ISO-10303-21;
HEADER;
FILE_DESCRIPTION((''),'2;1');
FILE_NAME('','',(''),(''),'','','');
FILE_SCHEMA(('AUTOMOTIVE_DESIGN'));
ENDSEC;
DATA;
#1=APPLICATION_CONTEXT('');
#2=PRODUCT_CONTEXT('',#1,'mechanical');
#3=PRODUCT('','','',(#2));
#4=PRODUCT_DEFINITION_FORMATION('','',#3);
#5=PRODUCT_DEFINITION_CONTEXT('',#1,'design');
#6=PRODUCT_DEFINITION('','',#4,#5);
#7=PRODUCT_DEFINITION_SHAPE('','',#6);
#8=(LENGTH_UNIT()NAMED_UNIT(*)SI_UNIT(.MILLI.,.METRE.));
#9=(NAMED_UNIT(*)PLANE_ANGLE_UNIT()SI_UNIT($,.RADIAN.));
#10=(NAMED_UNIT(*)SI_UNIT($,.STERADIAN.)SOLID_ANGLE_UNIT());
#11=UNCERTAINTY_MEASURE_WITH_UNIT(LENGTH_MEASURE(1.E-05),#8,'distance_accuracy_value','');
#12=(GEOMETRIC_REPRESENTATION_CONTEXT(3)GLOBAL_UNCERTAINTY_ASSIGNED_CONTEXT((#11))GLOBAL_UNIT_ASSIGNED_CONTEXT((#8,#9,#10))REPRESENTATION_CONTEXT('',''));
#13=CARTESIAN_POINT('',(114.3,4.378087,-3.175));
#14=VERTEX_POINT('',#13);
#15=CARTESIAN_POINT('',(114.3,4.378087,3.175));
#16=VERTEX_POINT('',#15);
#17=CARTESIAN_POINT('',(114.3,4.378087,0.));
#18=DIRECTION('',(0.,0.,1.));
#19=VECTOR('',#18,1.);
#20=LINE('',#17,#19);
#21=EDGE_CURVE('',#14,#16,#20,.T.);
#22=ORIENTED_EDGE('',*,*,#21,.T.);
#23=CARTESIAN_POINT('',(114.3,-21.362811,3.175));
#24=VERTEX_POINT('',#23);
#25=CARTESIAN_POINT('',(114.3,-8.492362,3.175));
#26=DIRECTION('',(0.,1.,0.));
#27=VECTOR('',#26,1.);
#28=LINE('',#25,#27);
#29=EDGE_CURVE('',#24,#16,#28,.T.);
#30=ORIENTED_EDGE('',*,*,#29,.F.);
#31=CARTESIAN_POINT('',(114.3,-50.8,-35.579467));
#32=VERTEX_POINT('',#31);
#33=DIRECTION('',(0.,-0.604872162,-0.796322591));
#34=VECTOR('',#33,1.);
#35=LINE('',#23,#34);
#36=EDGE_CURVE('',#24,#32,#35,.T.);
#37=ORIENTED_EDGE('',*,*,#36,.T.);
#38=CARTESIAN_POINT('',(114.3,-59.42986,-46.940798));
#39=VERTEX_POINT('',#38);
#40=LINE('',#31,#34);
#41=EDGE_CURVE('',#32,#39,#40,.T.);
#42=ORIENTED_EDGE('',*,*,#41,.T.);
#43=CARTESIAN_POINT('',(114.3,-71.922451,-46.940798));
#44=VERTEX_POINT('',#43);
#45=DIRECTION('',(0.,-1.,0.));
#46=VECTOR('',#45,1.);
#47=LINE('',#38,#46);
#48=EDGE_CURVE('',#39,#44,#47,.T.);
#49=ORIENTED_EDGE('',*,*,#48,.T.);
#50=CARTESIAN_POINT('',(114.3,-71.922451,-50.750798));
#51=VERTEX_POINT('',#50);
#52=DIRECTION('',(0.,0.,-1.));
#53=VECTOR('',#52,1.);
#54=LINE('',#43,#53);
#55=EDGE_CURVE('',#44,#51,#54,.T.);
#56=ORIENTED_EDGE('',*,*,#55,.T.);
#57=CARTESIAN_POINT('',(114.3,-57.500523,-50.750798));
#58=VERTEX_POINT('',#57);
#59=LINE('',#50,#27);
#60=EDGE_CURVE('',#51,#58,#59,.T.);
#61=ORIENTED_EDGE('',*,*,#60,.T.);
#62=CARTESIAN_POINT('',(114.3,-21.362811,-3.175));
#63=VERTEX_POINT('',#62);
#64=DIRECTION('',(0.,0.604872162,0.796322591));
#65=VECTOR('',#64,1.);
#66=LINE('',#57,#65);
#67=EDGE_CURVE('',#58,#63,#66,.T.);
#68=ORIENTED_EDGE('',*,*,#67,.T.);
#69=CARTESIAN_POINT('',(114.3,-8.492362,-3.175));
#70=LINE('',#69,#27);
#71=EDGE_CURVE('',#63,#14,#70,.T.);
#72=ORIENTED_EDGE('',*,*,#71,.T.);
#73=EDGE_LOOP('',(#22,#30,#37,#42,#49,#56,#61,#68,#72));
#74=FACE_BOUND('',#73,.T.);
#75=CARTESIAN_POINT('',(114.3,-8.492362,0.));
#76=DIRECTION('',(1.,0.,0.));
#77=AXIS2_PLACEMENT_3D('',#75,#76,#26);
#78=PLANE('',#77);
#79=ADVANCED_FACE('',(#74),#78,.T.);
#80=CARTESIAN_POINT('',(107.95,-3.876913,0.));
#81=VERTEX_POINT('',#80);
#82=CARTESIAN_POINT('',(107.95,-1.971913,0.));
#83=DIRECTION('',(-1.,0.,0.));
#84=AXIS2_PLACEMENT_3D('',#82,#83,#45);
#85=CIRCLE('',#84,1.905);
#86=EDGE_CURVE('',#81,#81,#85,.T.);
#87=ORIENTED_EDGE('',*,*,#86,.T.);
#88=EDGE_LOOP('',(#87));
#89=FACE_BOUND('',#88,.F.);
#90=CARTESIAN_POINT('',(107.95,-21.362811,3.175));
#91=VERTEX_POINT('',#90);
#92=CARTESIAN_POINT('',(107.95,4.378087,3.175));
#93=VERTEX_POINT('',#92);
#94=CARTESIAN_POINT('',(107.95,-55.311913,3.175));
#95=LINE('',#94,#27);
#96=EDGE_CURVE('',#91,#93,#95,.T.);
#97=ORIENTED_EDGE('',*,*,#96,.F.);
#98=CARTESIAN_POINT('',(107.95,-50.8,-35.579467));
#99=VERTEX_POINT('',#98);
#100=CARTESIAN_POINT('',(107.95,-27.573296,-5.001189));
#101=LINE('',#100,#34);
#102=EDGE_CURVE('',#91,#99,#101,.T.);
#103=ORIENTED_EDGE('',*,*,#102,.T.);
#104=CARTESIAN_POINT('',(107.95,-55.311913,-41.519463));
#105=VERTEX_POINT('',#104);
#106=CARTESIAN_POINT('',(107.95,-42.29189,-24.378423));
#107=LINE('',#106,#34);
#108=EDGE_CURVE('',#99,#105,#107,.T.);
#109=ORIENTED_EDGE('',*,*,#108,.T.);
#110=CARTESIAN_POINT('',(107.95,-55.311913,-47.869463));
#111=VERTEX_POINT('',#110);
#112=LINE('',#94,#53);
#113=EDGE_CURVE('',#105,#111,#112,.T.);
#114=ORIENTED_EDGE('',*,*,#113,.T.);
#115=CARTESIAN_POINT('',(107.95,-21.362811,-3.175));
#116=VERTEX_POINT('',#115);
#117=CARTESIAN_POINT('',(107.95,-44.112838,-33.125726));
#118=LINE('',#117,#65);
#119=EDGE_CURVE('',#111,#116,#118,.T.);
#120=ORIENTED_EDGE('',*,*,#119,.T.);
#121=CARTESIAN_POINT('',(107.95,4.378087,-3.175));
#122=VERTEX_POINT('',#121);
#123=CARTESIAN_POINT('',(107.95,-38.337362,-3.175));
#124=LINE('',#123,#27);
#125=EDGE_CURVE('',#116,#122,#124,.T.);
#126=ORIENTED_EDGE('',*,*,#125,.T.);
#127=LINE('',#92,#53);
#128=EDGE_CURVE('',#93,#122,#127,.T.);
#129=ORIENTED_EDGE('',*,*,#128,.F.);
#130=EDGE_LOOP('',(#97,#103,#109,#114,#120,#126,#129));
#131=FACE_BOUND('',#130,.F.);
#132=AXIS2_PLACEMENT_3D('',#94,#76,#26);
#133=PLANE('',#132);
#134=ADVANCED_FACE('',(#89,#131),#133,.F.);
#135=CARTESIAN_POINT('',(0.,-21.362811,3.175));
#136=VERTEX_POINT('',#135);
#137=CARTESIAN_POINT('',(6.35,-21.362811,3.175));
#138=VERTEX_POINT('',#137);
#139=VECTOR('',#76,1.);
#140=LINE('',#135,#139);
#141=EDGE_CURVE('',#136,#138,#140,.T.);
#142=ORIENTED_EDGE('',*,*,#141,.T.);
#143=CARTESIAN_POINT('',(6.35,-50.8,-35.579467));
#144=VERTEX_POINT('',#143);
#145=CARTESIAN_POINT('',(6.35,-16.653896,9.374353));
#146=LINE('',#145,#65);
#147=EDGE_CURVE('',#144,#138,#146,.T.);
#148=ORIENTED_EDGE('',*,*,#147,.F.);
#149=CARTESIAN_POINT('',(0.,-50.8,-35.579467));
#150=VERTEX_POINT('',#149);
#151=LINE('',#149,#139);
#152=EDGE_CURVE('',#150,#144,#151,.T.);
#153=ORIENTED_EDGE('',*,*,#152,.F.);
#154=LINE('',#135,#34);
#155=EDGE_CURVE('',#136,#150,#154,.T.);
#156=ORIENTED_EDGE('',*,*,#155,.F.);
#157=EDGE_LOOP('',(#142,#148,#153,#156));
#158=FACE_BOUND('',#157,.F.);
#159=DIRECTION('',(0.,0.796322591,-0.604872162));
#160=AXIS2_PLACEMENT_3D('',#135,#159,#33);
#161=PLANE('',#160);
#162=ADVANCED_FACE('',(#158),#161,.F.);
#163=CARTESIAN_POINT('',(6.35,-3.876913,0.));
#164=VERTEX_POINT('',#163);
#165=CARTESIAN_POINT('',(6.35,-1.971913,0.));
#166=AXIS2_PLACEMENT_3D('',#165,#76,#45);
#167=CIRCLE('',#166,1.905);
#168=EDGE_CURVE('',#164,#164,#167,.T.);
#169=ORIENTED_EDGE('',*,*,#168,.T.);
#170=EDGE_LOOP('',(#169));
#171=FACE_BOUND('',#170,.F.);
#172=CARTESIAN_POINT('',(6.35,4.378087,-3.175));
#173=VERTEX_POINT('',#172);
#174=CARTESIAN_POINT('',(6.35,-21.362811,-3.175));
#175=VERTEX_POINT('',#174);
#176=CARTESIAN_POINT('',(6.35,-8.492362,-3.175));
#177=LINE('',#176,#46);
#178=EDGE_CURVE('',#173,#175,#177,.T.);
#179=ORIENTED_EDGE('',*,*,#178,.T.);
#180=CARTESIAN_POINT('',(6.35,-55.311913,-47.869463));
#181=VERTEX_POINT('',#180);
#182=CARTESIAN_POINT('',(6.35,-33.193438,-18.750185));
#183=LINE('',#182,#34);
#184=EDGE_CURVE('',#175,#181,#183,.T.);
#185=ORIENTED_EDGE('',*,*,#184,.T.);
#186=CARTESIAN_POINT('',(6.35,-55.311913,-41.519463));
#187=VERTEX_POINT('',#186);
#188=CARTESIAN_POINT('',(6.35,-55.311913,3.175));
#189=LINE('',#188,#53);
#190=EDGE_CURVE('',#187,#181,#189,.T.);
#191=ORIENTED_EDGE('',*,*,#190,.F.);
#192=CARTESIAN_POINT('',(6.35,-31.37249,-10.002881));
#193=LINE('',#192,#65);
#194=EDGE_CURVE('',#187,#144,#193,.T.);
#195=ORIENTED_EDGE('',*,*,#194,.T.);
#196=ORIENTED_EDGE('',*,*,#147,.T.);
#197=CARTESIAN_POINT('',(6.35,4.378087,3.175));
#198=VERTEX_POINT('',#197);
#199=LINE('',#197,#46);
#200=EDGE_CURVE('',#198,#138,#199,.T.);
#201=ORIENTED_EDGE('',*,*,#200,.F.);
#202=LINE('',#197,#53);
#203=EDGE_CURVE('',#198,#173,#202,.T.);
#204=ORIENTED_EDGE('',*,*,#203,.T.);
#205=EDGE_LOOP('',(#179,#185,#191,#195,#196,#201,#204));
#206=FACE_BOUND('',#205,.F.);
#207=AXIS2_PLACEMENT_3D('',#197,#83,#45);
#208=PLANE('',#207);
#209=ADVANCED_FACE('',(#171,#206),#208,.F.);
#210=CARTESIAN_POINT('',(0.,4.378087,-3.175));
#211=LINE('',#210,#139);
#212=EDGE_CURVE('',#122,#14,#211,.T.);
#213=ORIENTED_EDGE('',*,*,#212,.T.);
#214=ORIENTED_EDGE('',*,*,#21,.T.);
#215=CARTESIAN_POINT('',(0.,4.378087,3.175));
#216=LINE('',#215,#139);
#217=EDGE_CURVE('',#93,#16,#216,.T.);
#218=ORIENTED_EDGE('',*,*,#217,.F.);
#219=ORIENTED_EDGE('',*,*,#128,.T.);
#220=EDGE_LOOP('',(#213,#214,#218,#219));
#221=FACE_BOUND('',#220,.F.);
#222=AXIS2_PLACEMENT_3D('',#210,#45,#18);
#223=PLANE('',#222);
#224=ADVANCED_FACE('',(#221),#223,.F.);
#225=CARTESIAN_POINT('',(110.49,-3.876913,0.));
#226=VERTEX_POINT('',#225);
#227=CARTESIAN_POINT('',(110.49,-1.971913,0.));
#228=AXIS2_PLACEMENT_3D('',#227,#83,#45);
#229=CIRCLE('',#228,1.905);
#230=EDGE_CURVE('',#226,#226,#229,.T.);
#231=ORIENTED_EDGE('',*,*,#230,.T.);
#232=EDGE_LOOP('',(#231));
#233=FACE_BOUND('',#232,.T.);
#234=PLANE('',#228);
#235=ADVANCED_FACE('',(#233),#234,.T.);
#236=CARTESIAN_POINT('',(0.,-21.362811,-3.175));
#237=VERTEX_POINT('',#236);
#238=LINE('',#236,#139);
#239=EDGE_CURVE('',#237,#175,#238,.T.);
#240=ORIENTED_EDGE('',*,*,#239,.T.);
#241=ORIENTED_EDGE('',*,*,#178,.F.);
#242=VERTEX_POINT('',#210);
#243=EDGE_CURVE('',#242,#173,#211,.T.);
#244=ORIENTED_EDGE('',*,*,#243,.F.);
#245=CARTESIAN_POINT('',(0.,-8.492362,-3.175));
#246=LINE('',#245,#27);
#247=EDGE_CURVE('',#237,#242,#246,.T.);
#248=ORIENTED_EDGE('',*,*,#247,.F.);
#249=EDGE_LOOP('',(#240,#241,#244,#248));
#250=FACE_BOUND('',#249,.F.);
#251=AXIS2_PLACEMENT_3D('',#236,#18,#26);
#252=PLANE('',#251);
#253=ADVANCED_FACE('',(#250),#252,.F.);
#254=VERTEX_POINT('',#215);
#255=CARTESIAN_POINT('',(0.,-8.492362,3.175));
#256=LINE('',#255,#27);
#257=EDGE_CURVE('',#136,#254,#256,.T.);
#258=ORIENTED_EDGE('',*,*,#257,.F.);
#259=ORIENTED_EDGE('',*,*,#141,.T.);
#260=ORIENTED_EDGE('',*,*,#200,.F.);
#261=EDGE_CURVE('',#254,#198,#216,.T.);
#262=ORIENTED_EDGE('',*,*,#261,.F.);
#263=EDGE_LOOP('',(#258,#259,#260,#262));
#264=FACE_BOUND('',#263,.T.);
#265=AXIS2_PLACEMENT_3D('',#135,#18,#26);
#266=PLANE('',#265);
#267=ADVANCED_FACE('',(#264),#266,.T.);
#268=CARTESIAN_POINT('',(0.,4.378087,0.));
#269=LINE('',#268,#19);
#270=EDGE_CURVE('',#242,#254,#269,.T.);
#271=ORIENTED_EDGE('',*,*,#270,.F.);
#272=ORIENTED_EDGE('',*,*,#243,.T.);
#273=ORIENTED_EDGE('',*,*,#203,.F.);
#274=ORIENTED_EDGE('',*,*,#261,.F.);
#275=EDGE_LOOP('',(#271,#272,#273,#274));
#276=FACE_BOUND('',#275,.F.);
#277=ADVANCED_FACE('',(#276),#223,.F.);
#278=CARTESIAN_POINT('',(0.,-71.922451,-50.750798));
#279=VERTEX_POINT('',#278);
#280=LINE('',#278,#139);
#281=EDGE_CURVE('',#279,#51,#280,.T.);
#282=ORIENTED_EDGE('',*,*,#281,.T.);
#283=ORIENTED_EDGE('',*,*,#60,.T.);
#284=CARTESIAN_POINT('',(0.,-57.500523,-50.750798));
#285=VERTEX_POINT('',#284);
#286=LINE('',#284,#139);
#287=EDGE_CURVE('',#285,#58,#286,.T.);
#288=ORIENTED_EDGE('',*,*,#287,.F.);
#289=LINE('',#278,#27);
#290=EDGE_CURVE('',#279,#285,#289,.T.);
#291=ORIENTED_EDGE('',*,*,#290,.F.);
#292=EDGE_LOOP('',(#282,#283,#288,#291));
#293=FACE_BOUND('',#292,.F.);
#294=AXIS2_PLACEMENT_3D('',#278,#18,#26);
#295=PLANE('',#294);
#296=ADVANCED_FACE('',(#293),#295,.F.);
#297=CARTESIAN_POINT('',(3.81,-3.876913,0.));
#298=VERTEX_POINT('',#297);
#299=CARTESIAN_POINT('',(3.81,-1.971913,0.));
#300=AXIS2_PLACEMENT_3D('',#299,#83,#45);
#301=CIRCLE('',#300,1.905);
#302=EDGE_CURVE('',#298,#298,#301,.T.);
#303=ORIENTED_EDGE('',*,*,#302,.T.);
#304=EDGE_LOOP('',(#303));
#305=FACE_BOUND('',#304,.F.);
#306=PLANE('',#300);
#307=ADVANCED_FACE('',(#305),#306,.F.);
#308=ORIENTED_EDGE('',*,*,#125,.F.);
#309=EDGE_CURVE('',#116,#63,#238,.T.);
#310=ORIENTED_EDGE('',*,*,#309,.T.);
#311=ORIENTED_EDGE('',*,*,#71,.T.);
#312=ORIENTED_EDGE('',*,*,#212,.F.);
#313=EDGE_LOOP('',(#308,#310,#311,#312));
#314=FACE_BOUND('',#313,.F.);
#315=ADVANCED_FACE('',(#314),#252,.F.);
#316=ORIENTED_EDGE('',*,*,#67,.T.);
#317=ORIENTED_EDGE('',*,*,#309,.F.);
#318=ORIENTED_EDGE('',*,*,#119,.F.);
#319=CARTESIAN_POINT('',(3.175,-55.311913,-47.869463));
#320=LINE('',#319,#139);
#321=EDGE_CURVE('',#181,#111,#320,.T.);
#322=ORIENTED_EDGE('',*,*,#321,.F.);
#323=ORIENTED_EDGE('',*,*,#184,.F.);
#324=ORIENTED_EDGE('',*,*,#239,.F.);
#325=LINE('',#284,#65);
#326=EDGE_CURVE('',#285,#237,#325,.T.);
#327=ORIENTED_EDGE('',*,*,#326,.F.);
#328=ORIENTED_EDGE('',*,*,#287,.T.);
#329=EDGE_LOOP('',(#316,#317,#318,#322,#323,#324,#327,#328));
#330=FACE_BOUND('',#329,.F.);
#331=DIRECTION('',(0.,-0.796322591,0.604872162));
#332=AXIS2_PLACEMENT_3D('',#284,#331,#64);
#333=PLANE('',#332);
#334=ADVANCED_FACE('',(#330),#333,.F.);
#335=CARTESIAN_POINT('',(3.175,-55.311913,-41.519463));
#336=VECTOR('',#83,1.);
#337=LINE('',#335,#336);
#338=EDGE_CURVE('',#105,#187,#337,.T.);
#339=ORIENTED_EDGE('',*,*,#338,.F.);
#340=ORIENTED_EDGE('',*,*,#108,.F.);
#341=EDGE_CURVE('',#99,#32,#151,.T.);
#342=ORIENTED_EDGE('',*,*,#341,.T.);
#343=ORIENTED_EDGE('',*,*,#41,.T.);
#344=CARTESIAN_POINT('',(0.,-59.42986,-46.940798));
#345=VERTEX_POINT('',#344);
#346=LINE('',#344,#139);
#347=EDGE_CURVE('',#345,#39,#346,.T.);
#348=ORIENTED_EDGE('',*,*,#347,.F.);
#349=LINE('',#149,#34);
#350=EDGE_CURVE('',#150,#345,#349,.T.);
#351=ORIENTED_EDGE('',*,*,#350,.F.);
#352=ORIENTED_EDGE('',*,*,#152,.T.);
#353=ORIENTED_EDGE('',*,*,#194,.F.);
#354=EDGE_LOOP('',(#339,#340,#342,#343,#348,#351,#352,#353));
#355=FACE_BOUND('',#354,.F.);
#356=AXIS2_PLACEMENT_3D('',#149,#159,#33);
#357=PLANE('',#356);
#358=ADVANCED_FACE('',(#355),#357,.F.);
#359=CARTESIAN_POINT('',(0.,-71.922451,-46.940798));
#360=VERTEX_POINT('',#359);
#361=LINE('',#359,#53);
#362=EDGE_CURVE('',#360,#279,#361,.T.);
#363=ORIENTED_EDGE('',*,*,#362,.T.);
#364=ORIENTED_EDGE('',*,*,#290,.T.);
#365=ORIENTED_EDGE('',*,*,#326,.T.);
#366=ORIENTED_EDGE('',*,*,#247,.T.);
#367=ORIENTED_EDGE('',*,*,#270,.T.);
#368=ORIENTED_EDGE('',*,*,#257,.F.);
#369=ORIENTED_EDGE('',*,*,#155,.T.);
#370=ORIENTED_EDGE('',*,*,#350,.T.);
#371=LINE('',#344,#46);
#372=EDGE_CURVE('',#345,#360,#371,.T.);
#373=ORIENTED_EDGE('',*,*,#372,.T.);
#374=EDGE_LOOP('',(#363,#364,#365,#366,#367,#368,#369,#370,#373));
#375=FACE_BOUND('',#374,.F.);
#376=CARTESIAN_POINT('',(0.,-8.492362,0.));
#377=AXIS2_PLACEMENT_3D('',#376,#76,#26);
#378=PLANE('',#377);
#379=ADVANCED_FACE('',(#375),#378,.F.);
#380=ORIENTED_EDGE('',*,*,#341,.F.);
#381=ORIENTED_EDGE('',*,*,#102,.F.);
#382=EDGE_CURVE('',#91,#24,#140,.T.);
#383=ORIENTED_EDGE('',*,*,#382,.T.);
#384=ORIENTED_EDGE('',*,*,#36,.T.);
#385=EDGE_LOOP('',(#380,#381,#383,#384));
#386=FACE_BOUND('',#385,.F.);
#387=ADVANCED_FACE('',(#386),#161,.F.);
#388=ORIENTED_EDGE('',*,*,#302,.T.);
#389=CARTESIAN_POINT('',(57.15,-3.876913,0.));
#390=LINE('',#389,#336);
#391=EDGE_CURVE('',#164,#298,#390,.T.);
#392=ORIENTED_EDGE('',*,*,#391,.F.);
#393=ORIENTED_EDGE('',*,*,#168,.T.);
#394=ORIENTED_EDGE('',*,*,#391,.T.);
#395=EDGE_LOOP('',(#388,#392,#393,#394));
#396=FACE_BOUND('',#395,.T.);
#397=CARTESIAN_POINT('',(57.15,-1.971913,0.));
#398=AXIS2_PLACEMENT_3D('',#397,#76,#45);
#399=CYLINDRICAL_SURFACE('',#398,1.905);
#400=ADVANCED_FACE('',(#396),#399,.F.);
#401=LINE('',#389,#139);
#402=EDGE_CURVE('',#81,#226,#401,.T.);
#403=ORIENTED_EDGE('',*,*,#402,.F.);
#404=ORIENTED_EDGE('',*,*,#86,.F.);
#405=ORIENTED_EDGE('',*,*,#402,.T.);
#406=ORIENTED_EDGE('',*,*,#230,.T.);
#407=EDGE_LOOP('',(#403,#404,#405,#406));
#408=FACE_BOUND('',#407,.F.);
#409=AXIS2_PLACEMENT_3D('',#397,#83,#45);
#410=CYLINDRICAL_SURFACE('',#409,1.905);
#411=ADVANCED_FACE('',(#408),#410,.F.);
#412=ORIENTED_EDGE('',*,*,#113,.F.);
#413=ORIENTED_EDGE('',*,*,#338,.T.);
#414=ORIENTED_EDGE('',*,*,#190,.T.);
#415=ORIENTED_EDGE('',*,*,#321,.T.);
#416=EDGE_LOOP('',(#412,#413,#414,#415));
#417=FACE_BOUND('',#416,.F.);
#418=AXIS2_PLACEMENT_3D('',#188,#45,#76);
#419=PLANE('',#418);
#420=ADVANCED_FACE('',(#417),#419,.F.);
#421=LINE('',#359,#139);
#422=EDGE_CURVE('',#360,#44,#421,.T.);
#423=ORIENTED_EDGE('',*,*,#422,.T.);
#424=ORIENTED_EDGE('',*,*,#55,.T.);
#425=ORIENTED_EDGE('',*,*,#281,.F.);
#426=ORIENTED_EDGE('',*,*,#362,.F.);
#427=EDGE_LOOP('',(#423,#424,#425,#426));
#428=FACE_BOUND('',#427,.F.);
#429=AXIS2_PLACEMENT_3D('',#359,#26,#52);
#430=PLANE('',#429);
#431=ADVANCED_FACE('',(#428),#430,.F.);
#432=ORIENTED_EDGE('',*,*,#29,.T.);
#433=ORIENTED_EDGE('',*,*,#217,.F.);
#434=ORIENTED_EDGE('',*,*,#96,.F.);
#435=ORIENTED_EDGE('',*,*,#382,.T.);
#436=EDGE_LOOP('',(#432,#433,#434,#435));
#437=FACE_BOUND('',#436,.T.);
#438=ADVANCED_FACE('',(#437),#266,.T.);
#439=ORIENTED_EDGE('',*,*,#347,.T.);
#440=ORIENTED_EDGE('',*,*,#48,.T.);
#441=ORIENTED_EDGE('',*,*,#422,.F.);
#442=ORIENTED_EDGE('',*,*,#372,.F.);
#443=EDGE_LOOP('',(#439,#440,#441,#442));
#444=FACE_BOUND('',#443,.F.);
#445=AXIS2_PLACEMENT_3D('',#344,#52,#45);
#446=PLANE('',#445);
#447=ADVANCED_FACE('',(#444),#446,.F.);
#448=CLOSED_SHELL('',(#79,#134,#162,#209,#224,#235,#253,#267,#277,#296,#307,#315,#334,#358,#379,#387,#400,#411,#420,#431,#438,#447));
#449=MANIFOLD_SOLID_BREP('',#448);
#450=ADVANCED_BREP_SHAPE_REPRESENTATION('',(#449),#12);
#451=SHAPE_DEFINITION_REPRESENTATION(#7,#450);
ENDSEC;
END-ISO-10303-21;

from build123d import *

# Parameters (mm, degrees)
F0_W          = 25.7408986799
F0_H          = 6.35
F1_DEPTH      = 114.3
F2_W          = 101.6
F2_H          = 25.7408986799
F2_H_2        = 33.9491013201
F3_DEPTH      = 127
F5_R          = 1.905
F6_DEPTH      = 53.34
F6_DEPTH_BACK = 53.34


with BuildPart() as f1:
    # F0 (on Right) → F1 (new body)
    with BuildSketch(Plane.YZ):
        with Locations((-8.492361987, 0)):
            Rectangle(F0_W, F0_H)
        Polygon((-21.362811327, 3.175), (-50.8, -35.5794671973), (-50.8, -41.9294671973), (-21.362811327, -3.175), align=None)
        Polygon((-62.3238671319, -50.7507981185), (-59.429860403, -46.9407981185), (-71.9224512577, -46.9407981185), (-71.9224512577, -50.7507981185), align=None)
        Polygon((-50.8, -41.9294671973), (-50.8, -35.5794671973), (-59.429860403, -46.9407981185), (-57.5005225837, -46.9407981185), (-57.5005225837, -50.7507981185), align=None)
        Polygon((-57.5005225837, -46.9407981185), (-59.429860403, -46.9407981185), (-62.3238671319, -50.7507981185), (-57.5005225837, -50.7507981185), align=None)
    extrude(amount=F1_DEPTH)

    # F2 (on face) → F3 (cut)
    with BuildSketch(Plane.XY.offset(3.175)):
        with Locations((57.15, -8.492361987)):
            Rectangle(F2_W, F2_H)
        with Locations((57.15, -38.337361987)):
            Rectangle(F2_W, F2_H_2)
    extrude(amount=-F3_DEPTH, mode=Mode.SUBTRACT)

    # F5 (on offset) → F6 (cut, two sides)
    with BuildSketch(Plane(origin=(57.15, 0, 0), x_dir=(0, -1, 0), z_dir=(-1, 0, 0))) as f6_sk:
        with Locations((1.971912647, 0)):
            Circle(F5_R)
    extrude(amount=-F6_DEPTH, mode=Mode.SUBTRACT)
    extrude(f6_sk.sketch, amount=F6_DEPTH_BACK, mode=Mode.SUBTRACT)


solid = f1.part
